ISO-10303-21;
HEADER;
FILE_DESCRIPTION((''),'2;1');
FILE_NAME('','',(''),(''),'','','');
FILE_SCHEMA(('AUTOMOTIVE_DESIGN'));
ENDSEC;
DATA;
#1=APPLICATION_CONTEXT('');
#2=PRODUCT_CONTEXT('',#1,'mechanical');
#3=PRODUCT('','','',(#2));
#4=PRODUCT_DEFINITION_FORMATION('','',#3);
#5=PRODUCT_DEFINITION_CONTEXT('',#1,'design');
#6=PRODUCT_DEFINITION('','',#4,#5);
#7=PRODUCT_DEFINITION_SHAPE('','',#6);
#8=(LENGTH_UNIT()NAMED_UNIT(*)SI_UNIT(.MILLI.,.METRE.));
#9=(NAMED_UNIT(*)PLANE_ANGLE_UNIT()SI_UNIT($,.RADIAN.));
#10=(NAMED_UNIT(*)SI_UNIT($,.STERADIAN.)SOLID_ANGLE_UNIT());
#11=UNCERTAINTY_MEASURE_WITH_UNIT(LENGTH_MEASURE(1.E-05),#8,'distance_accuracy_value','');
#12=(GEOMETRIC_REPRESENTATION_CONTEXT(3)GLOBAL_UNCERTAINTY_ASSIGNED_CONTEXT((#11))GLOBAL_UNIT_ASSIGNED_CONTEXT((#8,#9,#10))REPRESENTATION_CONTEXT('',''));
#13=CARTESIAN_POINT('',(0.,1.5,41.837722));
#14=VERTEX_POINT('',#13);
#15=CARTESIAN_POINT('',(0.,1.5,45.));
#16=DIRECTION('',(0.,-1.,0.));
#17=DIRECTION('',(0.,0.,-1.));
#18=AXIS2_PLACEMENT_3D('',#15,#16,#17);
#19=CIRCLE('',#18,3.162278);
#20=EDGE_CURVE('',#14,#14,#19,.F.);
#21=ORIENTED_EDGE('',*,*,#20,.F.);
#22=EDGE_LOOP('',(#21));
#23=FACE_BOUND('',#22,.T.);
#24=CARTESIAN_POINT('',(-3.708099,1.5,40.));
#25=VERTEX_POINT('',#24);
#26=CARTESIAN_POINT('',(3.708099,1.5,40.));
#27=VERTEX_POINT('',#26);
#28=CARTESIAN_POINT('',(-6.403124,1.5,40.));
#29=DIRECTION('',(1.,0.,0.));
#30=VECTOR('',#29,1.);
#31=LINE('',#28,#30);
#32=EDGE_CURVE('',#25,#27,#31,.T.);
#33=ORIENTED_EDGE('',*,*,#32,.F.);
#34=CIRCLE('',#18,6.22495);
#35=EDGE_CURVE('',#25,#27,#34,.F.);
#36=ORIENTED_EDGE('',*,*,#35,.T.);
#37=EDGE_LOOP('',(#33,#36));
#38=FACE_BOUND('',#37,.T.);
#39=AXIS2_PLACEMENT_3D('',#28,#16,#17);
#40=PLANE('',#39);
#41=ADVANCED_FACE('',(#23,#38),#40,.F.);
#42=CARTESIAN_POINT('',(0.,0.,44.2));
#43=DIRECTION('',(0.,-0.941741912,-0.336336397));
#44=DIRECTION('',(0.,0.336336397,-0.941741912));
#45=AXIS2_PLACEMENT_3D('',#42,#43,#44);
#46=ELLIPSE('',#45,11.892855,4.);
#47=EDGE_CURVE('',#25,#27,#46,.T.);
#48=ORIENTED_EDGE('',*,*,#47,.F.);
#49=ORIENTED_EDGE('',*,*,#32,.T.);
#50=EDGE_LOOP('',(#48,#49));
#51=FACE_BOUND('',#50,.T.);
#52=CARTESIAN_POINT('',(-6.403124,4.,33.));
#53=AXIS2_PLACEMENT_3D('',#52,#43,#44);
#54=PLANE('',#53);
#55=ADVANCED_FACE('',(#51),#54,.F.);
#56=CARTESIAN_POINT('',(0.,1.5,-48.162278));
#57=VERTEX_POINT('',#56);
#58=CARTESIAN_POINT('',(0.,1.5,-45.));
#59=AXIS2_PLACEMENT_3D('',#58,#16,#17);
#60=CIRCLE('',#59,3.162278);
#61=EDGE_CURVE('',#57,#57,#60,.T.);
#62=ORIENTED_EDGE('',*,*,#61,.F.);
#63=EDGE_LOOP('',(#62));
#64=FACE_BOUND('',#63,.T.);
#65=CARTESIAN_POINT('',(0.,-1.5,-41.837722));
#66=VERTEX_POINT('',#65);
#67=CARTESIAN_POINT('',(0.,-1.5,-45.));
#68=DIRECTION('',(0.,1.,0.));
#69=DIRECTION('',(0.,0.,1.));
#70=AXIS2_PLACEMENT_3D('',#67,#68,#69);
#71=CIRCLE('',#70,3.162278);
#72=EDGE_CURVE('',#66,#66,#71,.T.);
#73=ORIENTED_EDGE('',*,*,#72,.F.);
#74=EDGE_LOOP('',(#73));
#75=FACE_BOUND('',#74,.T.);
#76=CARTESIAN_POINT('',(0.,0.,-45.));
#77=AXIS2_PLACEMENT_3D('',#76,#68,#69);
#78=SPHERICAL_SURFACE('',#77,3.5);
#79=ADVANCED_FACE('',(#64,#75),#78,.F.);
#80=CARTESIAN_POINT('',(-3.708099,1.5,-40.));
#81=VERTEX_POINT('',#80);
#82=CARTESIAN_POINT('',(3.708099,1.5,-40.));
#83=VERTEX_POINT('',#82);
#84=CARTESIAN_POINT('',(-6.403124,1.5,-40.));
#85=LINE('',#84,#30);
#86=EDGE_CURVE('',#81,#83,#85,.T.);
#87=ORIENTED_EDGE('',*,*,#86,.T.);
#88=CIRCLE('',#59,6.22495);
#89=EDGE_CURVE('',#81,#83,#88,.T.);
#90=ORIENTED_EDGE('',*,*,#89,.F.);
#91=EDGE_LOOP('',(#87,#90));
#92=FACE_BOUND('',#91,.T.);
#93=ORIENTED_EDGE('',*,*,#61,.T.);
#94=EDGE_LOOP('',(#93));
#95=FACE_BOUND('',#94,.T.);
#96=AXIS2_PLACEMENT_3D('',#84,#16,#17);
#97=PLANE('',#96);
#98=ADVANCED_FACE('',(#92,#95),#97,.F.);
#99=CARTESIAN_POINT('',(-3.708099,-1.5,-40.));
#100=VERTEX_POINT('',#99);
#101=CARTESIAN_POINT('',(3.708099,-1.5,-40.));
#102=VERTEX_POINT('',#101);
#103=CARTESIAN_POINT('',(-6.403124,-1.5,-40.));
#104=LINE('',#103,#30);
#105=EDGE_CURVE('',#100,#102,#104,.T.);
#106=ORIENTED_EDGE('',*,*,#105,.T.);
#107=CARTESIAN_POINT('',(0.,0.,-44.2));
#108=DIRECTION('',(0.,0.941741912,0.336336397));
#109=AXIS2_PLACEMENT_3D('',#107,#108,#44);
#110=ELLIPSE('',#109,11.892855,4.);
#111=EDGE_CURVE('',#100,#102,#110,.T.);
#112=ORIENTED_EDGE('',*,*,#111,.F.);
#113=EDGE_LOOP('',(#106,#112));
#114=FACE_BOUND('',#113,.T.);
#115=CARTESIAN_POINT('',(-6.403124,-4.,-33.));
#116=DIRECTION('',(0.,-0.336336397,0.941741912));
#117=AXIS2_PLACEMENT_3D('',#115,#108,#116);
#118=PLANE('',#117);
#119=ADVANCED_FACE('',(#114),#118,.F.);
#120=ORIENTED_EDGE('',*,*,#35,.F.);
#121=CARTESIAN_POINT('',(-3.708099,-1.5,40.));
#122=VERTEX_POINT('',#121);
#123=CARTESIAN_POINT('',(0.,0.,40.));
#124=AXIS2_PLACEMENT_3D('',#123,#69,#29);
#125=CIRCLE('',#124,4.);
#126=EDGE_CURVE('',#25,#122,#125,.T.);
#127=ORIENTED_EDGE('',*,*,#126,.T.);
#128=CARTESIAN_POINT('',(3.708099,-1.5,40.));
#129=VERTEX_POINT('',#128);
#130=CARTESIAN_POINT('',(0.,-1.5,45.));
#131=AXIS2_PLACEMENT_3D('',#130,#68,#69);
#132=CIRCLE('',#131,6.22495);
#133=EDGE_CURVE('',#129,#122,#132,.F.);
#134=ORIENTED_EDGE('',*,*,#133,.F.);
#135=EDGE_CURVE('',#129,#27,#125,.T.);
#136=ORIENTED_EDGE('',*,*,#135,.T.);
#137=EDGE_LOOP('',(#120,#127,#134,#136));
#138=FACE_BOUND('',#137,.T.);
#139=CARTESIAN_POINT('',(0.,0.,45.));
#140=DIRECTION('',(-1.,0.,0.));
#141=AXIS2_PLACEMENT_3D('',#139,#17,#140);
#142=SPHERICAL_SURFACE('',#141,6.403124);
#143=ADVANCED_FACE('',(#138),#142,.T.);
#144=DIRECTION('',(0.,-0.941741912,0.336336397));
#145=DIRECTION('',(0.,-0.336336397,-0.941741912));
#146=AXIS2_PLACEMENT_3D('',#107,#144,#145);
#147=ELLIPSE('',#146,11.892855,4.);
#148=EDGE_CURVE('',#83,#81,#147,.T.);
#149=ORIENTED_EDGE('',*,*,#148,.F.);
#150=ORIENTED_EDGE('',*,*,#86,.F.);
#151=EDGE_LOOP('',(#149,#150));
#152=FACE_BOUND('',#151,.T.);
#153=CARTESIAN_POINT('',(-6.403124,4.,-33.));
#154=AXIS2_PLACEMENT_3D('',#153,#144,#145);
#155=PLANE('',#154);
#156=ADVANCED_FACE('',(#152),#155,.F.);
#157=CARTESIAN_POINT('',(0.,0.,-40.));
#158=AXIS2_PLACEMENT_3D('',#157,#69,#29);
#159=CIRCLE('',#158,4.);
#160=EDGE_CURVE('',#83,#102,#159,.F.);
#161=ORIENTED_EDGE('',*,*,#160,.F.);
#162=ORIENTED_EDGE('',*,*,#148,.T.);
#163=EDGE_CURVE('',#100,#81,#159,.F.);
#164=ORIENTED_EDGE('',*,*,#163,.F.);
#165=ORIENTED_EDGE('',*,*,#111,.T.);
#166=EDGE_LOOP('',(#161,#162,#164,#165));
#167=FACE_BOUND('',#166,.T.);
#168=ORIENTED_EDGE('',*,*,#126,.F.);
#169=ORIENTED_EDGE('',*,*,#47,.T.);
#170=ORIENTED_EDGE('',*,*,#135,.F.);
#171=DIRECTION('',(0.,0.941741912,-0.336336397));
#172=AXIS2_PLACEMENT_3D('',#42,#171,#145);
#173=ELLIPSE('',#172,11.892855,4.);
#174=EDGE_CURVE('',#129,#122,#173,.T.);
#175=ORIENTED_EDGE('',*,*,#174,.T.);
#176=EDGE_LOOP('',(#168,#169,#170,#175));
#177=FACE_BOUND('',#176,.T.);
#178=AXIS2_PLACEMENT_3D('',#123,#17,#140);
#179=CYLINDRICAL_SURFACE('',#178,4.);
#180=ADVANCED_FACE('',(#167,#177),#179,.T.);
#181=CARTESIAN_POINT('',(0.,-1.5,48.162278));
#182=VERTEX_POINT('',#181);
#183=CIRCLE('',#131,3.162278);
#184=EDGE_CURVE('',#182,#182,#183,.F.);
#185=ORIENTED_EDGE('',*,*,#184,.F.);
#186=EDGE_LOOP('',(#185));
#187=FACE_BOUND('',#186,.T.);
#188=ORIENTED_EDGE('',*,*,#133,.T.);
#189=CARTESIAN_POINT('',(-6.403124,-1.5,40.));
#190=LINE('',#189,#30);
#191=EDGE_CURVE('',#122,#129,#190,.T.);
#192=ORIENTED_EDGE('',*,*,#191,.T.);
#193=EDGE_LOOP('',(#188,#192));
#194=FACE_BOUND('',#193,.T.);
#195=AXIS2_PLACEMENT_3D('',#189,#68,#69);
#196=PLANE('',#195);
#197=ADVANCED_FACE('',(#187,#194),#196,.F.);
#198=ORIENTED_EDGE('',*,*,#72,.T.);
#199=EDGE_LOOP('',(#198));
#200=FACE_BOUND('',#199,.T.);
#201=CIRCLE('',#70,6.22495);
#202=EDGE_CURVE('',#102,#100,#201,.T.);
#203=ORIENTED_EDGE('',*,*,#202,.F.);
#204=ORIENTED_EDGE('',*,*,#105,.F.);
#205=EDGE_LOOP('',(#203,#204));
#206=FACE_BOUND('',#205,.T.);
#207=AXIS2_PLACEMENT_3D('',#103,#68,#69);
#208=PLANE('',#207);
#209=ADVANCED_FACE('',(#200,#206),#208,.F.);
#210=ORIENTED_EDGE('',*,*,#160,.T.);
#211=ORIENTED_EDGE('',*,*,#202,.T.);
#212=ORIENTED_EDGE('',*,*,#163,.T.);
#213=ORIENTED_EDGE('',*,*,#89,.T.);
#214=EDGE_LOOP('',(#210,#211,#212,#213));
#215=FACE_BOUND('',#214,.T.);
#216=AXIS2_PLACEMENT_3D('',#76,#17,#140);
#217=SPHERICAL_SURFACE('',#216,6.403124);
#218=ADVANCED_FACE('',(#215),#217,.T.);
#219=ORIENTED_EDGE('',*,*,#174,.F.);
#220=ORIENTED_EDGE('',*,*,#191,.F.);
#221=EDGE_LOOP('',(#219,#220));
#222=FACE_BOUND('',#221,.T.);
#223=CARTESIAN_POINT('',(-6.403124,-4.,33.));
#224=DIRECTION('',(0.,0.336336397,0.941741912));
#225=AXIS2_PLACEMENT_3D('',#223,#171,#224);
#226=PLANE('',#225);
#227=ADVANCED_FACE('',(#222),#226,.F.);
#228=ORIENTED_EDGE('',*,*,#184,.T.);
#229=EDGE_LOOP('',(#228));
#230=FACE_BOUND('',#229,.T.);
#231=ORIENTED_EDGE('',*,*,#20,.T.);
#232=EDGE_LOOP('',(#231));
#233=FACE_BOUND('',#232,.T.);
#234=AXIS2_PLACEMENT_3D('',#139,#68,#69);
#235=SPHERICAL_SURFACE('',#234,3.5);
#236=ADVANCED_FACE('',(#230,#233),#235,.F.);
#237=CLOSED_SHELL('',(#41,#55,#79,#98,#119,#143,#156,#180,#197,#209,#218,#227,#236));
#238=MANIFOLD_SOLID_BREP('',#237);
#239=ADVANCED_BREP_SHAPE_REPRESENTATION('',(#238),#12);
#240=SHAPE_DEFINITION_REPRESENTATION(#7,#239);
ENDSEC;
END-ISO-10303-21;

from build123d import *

# Parameters (mm, degrees)
SKETCH_1_R               = 4
EXTRUDE_1_DEPTH          = 40
CUT_EXTRUDE_1_DEPTH      = 53.194647057
CUT_EXTRUDE_1_DEPTH_BACK = 53.194647057


with BuildPart() as part:
    # 草图1 → 凸台-拉伸1 (new, symmetric)
    with BuildSketch(Plane.XY):
        Circle(SKETCH_1_R)
    extrude(amount=EXTRUDE_1_DEPTH, both=True)

    # 草图2 → 旋转2 (revolve)
    with BuildSketch(Plane(origin=(0, 0, 0), x_dir=(1, 0, 0), z_dir=(0, 1, 0))):
        with BuildLine():
            ThreePointArc((0, 38.596875763), (6.403124237, 45), (0, 51.403124237))
            Line((0, 51.403124237), (0, 48.5))
            ThreePointArc((0, 48.5), (3.5, 45), (0, 41.5))
            Line((0, 41.5), (0, 38.596875763))
        make_face()
        with BuildLine():
            Line((0, -48.5), (0, -51.403124237))
            ThreePointArc((0, -51.403124237), (6.403124237, -45), (0, -38.596875763))
            Line((0, -38.596875763), (0, -41.5))
            ThreePointArc((0, -41.5), (3.5, -45), (0, -48.5))
        make_face()
    revolve(axis=Axis((0, 0, -51.403124237), (0, 0, 1)))

    # 草图3 → 切除-拉伸1 (cut, two sides: drawn at the far end of the back side and taken through both)
    with BuildSketch(Plane(origin=(0, 0, 0), x_dir=(0, 0, -1), z_dir=(1, 0, 0)).offset(-CUT_EXTRUDE_1_DEPTH_BACK)):
        Polygon((-33, 4), (-40, 1.5), (-53, 1.5), (-53, 8), (-33, 8), align=None)
        Polygon((-33, -8), (-33, -4), (-40, -1.5), (-53, -1.5), (-53, -8), align=None)
        Polygon((33, -4), (40, -1.5), (53, -1.5), (53, -8), (33, -8), align=None)
        Polygon((33, 8), (33, 4), (40, 1.5), (53, 1.5), (53, 8), align=None)
    extrude(amount=CUT_EXTRUDE_1_DEPTH + CUT_EXTRUDE_1_DEPTH_BACK, mode=Mode.SUBTRACT)


solid = part.part
